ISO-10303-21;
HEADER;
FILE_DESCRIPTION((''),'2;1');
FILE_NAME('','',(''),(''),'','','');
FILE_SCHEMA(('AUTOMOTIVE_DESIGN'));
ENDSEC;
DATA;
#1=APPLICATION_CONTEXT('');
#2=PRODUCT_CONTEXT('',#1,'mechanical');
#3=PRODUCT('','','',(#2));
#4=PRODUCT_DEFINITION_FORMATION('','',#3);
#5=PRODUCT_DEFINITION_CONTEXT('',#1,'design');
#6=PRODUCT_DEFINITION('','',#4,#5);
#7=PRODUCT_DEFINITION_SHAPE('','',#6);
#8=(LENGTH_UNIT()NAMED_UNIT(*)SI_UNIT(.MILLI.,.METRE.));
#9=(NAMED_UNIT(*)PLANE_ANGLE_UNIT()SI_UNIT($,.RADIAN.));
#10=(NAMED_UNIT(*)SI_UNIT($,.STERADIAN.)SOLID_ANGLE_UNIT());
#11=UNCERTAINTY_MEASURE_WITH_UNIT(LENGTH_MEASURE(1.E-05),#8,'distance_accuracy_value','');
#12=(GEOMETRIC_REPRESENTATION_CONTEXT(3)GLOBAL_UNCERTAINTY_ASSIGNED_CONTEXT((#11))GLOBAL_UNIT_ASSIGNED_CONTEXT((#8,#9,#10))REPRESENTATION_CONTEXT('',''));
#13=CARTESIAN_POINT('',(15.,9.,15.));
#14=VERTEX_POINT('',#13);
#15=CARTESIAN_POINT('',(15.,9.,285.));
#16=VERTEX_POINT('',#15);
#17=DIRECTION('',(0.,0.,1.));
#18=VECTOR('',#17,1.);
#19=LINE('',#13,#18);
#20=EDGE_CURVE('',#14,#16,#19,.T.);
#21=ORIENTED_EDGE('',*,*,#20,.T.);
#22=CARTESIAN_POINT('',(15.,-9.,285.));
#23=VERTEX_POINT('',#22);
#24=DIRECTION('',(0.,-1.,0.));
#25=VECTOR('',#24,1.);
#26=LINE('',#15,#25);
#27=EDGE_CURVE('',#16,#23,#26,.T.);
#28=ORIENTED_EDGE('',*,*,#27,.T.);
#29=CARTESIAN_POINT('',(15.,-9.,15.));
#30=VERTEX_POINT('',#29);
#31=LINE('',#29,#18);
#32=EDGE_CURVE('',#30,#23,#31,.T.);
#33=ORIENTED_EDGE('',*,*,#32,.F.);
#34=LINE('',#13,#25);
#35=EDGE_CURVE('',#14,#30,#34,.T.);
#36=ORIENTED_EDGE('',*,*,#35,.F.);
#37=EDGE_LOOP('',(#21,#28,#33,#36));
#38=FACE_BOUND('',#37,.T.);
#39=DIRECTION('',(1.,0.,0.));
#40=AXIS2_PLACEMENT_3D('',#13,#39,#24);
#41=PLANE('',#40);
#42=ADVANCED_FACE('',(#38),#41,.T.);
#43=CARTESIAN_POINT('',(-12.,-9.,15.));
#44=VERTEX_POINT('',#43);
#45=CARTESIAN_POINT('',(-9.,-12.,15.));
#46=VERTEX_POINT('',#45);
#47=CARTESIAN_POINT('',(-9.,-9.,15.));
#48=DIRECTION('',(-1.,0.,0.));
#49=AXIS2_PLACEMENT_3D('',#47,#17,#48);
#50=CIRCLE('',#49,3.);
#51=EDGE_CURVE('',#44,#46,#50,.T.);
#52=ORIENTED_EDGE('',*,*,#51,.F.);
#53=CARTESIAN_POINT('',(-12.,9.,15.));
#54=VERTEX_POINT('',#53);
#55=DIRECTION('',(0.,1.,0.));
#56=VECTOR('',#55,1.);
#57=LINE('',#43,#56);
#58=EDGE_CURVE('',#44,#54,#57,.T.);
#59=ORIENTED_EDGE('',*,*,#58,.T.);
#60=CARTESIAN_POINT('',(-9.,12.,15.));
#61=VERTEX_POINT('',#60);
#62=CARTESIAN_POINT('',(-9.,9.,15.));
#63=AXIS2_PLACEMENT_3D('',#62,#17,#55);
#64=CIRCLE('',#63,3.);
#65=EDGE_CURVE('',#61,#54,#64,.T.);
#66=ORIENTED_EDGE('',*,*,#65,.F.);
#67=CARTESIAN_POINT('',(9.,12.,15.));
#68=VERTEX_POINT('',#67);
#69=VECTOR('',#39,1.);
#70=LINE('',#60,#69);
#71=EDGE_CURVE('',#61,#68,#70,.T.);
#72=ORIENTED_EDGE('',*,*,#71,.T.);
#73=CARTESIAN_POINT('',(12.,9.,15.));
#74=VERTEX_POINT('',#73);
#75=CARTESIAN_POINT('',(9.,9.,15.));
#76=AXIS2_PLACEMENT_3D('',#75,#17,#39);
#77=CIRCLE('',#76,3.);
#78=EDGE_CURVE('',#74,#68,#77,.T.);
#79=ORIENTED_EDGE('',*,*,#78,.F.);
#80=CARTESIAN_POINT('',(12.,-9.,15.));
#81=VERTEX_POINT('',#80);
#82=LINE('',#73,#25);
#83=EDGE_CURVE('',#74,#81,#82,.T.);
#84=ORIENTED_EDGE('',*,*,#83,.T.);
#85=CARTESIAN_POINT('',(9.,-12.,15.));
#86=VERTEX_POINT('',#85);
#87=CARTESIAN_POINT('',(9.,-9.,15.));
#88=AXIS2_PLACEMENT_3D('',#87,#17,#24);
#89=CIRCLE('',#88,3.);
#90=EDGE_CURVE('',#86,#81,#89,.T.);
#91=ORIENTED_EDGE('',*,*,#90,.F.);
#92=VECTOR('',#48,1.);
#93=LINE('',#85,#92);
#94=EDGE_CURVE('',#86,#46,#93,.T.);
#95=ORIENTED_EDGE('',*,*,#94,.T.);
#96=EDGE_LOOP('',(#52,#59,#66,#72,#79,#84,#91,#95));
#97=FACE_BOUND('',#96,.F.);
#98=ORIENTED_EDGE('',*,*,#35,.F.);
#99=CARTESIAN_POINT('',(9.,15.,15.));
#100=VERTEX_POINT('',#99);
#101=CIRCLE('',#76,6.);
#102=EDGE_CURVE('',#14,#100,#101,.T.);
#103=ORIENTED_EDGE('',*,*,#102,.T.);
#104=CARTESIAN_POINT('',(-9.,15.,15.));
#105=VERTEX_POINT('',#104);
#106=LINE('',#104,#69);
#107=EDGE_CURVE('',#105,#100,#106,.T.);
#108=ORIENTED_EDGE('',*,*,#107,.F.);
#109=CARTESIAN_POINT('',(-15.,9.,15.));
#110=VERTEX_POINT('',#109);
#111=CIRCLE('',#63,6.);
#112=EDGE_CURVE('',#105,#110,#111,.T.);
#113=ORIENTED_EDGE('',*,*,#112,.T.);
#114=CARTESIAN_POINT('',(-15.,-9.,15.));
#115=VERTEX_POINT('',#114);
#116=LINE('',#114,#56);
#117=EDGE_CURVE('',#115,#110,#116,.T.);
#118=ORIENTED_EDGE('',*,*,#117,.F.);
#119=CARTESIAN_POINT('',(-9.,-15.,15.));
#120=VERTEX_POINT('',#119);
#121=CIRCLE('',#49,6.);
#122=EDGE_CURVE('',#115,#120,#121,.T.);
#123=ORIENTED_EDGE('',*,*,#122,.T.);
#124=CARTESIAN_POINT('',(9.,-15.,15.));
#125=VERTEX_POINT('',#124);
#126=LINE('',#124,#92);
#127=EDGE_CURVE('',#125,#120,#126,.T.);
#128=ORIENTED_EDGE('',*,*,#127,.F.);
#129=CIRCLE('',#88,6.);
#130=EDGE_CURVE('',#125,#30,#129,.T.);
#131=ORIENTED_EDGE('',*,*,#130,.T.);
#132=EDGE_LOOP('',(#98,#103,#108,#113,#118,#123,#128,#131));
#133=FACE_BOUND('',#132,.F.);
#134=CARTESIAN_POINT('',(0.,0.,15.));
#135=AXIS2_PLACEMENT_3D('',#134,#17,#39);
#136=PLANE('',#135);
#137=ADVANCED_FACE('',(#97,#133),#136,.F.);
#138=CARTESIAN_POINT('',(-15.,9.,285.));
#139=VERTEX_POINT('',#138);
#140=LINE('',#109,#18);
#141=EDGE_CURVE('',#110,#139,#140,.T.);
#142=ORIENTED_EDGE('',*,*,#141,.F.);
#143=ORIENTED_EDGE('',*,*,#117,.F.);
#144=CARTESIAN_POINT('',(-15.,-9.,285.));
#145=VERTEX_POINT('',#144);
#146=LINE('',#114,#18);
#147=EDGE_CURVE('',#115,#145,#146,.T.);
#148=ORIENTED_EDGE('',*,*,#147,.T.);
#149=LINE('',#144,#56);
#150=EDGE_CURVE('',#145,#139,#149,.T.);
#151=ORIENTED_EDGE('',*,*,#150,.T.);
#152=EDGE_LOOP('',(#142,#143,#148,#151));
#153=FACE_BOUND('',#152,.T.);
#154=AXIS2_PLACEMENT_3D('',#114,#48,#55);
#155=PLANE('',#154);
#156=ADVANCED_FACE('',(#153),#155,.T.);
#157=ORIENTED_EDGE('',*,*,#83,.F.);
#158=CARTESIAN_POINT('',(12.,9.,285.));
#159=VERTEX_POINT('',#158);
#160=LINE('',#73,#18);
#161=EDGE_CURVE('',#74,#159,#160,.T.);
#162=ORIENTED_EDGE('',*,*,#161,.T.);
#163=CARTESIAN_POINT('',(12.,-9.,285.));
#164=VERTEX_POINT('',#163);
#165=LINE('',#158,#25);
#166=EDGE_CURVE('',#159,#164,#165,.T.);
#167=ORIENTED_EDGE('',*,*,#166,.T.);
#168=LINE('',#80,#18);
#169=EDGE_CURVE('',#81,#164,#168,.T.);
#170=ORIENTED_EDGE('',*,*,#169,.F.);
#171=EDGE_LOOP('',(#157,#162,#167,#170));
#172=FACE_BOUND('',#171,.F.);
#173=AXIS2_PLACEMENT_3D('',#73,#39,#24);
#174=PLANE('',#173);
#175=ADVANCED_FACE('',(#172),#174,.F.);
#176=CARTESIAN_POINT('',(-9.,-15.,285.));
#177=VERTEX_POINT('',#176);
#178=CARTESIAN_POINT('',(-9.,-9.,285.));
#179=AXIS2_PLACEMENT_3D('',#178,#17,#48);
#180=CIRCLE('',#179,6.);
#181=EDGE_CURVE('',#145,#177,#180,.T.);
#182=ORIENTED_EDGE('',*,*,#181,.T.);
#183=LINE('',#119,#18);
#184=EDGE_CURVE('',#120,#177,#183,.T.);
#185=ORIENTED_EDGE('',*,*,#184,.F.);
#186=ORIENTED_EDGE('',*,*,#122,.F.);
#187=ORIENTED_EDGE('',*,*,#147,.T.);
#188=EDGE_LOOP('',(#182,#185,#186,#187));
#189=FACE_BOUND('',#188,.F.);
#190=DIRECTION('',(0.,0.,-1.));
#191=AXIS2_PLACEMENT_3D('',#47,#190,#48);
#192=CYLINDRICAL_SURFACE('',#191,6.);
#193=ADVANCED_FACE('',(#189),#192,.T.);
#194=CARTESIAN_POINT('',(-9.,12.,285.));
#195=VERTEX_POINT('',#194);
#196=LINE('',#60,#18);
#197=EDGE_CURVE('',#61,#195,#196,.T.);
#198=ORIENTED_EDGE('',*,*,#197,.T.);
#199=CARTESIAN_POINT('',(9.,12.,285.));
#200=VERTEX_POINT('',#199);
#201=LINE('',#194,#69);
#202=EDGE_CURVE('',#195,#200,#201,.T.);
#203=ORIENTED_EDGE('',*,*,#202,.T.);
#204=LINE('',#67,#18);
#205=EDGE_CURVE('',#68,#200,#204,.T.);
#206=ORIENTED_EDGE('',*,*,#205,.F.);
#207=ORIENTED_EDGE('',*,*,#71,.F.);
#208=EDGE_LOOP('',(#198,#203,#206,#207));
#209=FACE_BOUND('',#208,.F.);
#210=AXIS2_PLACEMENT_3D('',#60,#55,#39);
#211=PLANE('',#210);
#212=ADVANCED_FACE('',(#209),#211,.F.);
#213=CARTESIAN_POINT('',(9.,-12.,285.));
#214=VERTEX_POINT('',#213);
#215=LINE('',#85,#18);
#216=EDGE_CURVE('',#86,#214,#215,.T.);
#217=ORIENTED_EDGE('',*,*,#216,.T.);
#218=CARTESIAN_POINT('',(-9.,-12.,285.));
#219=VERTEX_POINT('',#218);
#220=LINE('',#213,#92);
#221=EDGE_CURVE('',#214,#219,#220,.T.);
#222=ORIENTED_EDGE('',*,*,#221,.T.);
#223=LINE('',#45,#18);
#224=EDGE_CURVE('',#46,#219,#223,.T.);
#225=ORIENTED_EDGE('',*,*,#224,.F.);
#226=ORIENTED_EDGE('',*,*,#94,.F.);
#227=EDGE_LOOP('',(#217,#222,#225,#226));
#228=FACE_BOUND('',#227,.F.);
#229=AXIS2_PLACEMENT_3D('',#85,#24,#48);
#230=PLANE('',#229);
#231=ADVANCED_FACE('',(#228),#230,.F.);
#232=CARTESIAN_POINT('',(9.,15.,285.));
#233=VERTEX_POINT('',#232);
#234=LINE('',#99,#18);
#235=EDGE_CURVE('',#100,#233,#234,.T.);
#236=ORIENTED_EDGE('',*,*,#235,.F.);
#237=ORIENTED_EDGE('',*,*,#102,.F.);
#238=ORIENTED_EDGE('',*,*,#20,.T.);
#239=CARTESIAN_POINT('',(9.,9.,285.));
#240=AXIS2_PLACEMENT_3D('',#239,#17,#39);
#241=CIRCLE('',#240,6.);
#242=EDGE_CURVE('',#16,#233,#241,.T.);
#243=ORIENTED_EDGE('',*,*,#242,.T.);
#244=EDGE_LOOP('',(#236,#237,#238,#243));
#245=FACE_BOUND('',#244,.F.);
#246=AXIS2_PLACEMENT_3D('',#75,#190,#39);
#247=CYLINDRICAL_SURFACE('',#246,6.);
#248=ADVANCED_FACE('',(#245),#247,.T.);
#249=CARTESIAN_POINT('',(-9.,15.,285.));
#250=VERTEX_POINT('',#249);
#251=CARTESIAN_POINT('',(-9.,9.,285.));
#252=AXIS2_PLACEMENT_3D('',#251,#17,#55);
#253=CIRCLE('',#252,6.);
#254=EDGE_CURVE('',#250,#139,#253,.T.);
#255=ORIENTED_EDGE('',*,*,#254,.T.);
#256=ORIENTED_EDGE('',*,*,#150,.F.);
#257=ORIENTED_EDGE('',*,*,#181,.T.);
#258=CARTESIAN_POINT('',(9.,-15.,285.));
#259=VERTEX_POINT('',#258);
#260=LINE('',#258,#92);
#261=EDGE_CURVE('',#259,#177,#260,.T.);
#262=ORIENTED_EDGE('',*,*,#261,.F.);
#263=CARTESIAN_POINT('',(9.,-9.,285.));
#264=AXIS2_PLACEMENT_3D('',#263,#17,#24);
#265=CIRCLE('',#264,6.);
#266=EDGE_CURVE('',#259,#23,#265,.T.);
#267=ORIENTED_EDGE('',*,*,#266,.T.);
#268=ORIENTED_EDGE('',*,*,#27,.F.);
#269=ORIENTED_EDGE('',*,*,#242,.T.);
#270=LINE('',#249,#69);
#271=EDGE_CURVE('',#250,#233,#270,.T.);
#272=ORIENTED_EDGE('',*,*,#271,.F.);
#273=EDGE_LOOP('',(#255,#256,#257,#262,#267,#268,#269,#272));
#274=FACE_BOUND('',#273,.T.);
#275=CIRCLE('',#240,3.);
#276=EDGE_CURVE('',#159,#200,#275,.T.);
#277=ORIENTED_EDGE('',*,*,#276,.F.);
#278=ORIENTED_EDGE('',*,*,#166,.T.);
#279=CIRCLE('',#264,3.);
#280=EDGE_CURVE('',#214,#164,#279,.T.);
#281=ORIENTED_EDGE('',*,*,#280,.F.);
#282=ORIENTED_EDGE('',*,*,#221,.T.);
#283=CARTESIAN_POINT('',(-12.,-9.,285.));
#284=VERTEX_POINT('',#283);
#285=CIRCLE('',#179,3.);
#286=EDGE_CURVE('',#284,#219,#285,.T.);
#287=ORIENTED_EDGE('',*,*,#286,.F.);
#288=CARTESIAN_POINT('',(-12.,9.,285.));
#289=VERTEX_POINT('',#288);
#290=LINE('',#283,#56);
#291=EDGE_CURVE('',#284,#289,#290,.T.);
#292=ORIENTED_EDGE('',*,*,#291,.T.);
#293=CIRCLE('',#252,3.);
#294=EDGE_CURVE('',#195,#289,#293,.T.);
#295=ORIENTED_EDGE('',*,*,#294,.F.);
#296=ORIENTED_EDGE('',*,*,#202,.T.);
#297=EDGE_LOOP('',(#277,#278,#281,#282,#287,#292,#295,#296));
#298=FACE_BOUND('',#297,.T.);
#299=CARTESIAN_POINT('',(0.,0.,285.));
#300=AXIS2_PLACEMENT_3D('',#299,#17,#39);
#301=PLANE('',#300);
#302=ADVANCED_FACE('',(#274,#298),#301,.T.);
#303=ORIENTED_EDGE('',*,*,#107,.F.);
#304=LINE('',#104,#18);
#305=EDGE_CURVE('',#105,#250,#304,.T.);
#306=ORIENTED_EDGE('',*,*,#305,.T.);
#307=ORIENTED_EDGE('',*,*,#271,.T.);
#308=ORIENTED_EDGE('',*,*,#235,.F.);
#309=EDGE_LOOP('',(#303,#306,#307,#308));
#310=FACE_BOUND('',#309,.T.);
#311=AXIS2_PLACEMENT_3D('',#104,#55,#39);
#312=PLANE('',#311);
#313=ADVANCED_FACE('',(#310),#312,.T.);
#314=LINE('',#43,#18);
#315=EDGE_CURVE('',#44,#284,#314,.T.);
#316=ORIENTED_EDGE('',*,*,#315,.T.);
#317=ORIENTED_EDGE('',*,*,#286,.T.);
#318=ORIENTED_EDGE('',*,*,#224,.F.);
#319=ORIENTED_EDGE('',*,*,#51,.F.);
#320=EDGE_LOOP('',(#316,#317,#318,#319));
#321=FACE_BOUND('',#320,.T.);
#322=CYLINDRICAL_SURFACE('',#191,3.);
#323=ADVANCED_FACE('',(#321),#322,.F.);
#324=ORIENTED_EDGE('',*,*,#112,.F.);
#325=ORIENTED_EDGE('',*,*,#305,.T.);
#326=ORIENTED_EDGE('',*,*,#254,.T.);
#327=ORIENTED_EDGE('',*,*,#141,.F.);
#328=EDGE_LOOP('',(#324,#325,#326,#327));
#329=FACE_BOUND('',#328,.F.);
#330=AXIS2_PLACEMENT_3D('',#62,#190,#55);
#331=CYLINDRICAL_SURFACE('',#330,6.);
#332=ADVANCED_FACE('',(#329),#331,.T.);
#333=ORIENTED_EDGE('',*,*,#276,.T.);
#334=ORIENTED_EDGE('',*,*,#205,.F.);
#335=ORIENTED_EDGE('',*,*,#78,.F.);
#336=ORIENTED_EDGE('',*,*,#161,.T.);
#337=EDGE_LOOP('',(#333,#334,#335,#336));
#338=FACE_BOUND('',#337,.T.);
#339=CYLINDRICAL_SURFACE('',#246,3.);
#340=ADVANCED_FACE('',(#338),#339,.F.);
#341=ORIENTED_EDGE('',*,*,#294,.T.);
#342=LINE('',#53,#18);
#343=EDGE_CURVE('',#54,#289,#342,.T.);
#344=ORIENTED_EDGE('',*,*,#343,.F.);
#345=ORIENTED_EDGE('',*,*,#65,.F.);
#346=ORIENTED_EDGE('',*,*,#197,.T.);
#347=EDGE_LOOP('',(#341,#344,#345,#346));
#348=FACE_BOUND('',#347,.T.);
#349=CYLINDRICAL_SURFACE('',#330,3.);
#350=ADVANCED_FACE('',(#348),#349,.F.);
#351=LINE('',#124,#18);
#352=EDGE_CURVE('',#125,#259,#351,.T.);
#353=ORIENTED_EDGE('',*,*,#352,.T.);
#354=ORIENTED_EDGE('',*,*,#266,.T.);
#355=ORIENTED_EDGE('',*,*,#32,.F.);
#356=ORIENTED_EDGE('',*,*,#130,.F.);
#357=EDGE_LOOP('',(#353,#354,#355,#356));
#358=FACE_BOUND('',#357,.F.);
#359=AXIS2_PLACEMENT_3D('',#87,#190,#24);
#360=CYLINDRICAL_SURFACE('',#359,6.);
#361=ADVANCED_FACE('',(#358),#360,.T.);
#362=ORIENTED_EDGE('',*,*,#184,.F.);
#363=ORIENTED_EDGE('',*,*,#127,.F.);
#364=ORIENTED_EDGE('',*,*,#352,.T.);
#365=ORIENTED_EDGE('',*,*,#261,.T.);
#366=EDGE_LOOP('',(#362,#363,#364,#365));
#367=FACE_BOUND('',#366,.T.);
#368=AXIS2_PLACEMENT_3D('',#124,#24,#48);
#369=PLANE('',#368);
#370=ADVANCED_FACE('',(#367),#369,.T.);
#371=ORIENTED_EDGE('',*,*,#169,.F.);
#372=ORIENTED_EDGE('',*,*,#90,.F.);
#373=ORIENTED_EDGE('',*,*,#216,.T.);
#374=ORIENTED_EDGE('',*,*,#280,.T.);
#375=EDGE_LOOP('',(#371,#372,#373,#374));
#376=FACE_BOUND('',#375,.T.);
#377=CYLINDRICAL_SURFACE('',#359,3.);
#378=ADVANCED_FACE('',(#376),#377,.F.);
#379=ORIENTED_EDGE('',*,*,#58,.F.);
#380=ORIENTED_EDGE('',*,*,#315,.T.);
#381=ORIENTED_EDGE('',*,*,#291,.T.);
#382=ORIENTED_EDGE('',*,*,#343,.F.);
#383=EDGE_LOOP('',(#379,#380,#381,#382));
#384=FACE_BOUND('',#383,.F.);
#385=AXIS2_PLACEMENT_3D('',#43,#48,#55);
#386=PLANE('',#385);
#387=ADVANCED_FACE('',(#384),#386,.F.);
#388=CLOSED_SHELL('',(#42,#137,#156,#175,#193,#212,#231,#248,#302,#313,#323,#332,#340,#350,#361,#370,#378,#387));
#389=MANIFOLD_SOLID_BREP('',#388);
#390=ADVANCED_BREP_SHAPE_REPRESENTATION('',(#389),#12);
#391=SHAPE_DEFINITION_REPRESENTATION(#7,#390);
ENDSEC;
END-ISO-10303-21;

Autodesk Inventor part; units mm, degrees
ref_plane "Start Plane" through (0, 0, 15) normal (0, 0, 1) x (1, 0, 0)
ref_plane "End Plane" through (0, 0, 285) normal (0, 0, 1) x (1, 0, 0)
sketch "Sketch" plane through (0, 0, 0) normal (0, 0, 1) x (1, 0, 0)
  line L0 (-15, -9) -> (-15, 9)
  line L1 (-9, 15) -> (9, 15)
  line L2 (15, 9) -> (15, -9)
  line L3 (9, -15) -> (-9, -15)
  arc A0 (-15, -9) -> (-9, -15) centre (-9, -9) ccw
  arc A1 (-9, 15) -> (-15, 9) centre (-9, 9) ccw
  arc A2 (15, 9) -> (9, 15) centre (9, 9) ccw
  arc A3 (9, -15) -> (15, -9) centre (9, -9) ccw
  arc A4 (-9, 12) -> (-12, 9) centre (-9, 9) ccw
  line L4 (-9, 12) -> (9, 12)
  arc A5 (12, 9) -> (9, 12) centre (9, 9) ccw
  line L5 (12, 9) -> (12, -9)
  arc A6 (9, -12) -> (12, -9) centre (9, -9) ccw
  line L6 (9, -12) -> (-9, -12)
  arc A7 (-12, -9) -> (-9, -12) centre (-9, -9) ccw
  line L7 (-12, -9) -> (-12, 9)
  line L8 (0, 22.7397) -> (0, -22.7397) construction
  line L9 (-22.7397, 0) -> (22.7397, 0) construction
  dimension "d7" = 6
  dimension "d10" = 30
  dimension "d11" = 30
  dimension "d12" = 3
  dimension "d15" = 15
  dimension "d16" = 15
extrude "Body" add sketch "Sketch" along normal up to surface (270 mm away) from surface at 15
sketch "Sketch3" plane through (0, 0, 0) normal (0, 0, 1) x (1, 0, 0)
  line L0 (0, 0) -> (10, 0)
ref_plane "Work Plane3" through (0, 0, 0) normal (0, -1, 0) x (1, 0, 0)
ref_plane "Work Plane5" through (-9, 486, 15) normal (0, 0, -1) x (-1, 0, 0)
split "Split2" plane through (-9, 486, 15) removes the side toward (0, 0, -1)
ref_plane "Work Plane6" through (8.9997, 486, 285) normal (0, 0, 1) x (1, 0, 0)
split "Split3" plane through (8.9997, 486, 285) removes the side toward (0, 0, 1)
sketch "Sketch4" plane through (0, 0, 0) normal (0, -1, 0) x (1, 0, 0)
  line L0 (-2, 15) -> (12, 15) projected
  line L1 (-2, 285) -> (12, 285) projected
  dimension "d18" = 270
equation "\"d7\" = G_IR"
equation "\"d10\" = G_H"
equation "\"d11\" = G_W"
equation "\"d12\" = G_T"
equation "\"d15\" = 0.5 * d10"
equation "\"d16\" = 0.5 * d11"
equation "\"d3\" = G_L"
equation "\"G_W\" = 30"
equation "\"G_H\" = 30"
equation "\"G_T\" = 3"
equation "\"G_IR\" = 6"
equation "\"G_L\" = d18"
equation "\"G_OFFSET_START\" = -15"
equation "\"G_OFFSET_END\" = -15"
equation "\"d13\" = -G_OFFSET_START"
equation "\"d14\" = G_OFFSET_END + B_L"
equation "\"B_L\" = 300"
properties part number "DIN EN 10219-2 - 30 x 30 x 3  - 270" material "Steel, Mild"
